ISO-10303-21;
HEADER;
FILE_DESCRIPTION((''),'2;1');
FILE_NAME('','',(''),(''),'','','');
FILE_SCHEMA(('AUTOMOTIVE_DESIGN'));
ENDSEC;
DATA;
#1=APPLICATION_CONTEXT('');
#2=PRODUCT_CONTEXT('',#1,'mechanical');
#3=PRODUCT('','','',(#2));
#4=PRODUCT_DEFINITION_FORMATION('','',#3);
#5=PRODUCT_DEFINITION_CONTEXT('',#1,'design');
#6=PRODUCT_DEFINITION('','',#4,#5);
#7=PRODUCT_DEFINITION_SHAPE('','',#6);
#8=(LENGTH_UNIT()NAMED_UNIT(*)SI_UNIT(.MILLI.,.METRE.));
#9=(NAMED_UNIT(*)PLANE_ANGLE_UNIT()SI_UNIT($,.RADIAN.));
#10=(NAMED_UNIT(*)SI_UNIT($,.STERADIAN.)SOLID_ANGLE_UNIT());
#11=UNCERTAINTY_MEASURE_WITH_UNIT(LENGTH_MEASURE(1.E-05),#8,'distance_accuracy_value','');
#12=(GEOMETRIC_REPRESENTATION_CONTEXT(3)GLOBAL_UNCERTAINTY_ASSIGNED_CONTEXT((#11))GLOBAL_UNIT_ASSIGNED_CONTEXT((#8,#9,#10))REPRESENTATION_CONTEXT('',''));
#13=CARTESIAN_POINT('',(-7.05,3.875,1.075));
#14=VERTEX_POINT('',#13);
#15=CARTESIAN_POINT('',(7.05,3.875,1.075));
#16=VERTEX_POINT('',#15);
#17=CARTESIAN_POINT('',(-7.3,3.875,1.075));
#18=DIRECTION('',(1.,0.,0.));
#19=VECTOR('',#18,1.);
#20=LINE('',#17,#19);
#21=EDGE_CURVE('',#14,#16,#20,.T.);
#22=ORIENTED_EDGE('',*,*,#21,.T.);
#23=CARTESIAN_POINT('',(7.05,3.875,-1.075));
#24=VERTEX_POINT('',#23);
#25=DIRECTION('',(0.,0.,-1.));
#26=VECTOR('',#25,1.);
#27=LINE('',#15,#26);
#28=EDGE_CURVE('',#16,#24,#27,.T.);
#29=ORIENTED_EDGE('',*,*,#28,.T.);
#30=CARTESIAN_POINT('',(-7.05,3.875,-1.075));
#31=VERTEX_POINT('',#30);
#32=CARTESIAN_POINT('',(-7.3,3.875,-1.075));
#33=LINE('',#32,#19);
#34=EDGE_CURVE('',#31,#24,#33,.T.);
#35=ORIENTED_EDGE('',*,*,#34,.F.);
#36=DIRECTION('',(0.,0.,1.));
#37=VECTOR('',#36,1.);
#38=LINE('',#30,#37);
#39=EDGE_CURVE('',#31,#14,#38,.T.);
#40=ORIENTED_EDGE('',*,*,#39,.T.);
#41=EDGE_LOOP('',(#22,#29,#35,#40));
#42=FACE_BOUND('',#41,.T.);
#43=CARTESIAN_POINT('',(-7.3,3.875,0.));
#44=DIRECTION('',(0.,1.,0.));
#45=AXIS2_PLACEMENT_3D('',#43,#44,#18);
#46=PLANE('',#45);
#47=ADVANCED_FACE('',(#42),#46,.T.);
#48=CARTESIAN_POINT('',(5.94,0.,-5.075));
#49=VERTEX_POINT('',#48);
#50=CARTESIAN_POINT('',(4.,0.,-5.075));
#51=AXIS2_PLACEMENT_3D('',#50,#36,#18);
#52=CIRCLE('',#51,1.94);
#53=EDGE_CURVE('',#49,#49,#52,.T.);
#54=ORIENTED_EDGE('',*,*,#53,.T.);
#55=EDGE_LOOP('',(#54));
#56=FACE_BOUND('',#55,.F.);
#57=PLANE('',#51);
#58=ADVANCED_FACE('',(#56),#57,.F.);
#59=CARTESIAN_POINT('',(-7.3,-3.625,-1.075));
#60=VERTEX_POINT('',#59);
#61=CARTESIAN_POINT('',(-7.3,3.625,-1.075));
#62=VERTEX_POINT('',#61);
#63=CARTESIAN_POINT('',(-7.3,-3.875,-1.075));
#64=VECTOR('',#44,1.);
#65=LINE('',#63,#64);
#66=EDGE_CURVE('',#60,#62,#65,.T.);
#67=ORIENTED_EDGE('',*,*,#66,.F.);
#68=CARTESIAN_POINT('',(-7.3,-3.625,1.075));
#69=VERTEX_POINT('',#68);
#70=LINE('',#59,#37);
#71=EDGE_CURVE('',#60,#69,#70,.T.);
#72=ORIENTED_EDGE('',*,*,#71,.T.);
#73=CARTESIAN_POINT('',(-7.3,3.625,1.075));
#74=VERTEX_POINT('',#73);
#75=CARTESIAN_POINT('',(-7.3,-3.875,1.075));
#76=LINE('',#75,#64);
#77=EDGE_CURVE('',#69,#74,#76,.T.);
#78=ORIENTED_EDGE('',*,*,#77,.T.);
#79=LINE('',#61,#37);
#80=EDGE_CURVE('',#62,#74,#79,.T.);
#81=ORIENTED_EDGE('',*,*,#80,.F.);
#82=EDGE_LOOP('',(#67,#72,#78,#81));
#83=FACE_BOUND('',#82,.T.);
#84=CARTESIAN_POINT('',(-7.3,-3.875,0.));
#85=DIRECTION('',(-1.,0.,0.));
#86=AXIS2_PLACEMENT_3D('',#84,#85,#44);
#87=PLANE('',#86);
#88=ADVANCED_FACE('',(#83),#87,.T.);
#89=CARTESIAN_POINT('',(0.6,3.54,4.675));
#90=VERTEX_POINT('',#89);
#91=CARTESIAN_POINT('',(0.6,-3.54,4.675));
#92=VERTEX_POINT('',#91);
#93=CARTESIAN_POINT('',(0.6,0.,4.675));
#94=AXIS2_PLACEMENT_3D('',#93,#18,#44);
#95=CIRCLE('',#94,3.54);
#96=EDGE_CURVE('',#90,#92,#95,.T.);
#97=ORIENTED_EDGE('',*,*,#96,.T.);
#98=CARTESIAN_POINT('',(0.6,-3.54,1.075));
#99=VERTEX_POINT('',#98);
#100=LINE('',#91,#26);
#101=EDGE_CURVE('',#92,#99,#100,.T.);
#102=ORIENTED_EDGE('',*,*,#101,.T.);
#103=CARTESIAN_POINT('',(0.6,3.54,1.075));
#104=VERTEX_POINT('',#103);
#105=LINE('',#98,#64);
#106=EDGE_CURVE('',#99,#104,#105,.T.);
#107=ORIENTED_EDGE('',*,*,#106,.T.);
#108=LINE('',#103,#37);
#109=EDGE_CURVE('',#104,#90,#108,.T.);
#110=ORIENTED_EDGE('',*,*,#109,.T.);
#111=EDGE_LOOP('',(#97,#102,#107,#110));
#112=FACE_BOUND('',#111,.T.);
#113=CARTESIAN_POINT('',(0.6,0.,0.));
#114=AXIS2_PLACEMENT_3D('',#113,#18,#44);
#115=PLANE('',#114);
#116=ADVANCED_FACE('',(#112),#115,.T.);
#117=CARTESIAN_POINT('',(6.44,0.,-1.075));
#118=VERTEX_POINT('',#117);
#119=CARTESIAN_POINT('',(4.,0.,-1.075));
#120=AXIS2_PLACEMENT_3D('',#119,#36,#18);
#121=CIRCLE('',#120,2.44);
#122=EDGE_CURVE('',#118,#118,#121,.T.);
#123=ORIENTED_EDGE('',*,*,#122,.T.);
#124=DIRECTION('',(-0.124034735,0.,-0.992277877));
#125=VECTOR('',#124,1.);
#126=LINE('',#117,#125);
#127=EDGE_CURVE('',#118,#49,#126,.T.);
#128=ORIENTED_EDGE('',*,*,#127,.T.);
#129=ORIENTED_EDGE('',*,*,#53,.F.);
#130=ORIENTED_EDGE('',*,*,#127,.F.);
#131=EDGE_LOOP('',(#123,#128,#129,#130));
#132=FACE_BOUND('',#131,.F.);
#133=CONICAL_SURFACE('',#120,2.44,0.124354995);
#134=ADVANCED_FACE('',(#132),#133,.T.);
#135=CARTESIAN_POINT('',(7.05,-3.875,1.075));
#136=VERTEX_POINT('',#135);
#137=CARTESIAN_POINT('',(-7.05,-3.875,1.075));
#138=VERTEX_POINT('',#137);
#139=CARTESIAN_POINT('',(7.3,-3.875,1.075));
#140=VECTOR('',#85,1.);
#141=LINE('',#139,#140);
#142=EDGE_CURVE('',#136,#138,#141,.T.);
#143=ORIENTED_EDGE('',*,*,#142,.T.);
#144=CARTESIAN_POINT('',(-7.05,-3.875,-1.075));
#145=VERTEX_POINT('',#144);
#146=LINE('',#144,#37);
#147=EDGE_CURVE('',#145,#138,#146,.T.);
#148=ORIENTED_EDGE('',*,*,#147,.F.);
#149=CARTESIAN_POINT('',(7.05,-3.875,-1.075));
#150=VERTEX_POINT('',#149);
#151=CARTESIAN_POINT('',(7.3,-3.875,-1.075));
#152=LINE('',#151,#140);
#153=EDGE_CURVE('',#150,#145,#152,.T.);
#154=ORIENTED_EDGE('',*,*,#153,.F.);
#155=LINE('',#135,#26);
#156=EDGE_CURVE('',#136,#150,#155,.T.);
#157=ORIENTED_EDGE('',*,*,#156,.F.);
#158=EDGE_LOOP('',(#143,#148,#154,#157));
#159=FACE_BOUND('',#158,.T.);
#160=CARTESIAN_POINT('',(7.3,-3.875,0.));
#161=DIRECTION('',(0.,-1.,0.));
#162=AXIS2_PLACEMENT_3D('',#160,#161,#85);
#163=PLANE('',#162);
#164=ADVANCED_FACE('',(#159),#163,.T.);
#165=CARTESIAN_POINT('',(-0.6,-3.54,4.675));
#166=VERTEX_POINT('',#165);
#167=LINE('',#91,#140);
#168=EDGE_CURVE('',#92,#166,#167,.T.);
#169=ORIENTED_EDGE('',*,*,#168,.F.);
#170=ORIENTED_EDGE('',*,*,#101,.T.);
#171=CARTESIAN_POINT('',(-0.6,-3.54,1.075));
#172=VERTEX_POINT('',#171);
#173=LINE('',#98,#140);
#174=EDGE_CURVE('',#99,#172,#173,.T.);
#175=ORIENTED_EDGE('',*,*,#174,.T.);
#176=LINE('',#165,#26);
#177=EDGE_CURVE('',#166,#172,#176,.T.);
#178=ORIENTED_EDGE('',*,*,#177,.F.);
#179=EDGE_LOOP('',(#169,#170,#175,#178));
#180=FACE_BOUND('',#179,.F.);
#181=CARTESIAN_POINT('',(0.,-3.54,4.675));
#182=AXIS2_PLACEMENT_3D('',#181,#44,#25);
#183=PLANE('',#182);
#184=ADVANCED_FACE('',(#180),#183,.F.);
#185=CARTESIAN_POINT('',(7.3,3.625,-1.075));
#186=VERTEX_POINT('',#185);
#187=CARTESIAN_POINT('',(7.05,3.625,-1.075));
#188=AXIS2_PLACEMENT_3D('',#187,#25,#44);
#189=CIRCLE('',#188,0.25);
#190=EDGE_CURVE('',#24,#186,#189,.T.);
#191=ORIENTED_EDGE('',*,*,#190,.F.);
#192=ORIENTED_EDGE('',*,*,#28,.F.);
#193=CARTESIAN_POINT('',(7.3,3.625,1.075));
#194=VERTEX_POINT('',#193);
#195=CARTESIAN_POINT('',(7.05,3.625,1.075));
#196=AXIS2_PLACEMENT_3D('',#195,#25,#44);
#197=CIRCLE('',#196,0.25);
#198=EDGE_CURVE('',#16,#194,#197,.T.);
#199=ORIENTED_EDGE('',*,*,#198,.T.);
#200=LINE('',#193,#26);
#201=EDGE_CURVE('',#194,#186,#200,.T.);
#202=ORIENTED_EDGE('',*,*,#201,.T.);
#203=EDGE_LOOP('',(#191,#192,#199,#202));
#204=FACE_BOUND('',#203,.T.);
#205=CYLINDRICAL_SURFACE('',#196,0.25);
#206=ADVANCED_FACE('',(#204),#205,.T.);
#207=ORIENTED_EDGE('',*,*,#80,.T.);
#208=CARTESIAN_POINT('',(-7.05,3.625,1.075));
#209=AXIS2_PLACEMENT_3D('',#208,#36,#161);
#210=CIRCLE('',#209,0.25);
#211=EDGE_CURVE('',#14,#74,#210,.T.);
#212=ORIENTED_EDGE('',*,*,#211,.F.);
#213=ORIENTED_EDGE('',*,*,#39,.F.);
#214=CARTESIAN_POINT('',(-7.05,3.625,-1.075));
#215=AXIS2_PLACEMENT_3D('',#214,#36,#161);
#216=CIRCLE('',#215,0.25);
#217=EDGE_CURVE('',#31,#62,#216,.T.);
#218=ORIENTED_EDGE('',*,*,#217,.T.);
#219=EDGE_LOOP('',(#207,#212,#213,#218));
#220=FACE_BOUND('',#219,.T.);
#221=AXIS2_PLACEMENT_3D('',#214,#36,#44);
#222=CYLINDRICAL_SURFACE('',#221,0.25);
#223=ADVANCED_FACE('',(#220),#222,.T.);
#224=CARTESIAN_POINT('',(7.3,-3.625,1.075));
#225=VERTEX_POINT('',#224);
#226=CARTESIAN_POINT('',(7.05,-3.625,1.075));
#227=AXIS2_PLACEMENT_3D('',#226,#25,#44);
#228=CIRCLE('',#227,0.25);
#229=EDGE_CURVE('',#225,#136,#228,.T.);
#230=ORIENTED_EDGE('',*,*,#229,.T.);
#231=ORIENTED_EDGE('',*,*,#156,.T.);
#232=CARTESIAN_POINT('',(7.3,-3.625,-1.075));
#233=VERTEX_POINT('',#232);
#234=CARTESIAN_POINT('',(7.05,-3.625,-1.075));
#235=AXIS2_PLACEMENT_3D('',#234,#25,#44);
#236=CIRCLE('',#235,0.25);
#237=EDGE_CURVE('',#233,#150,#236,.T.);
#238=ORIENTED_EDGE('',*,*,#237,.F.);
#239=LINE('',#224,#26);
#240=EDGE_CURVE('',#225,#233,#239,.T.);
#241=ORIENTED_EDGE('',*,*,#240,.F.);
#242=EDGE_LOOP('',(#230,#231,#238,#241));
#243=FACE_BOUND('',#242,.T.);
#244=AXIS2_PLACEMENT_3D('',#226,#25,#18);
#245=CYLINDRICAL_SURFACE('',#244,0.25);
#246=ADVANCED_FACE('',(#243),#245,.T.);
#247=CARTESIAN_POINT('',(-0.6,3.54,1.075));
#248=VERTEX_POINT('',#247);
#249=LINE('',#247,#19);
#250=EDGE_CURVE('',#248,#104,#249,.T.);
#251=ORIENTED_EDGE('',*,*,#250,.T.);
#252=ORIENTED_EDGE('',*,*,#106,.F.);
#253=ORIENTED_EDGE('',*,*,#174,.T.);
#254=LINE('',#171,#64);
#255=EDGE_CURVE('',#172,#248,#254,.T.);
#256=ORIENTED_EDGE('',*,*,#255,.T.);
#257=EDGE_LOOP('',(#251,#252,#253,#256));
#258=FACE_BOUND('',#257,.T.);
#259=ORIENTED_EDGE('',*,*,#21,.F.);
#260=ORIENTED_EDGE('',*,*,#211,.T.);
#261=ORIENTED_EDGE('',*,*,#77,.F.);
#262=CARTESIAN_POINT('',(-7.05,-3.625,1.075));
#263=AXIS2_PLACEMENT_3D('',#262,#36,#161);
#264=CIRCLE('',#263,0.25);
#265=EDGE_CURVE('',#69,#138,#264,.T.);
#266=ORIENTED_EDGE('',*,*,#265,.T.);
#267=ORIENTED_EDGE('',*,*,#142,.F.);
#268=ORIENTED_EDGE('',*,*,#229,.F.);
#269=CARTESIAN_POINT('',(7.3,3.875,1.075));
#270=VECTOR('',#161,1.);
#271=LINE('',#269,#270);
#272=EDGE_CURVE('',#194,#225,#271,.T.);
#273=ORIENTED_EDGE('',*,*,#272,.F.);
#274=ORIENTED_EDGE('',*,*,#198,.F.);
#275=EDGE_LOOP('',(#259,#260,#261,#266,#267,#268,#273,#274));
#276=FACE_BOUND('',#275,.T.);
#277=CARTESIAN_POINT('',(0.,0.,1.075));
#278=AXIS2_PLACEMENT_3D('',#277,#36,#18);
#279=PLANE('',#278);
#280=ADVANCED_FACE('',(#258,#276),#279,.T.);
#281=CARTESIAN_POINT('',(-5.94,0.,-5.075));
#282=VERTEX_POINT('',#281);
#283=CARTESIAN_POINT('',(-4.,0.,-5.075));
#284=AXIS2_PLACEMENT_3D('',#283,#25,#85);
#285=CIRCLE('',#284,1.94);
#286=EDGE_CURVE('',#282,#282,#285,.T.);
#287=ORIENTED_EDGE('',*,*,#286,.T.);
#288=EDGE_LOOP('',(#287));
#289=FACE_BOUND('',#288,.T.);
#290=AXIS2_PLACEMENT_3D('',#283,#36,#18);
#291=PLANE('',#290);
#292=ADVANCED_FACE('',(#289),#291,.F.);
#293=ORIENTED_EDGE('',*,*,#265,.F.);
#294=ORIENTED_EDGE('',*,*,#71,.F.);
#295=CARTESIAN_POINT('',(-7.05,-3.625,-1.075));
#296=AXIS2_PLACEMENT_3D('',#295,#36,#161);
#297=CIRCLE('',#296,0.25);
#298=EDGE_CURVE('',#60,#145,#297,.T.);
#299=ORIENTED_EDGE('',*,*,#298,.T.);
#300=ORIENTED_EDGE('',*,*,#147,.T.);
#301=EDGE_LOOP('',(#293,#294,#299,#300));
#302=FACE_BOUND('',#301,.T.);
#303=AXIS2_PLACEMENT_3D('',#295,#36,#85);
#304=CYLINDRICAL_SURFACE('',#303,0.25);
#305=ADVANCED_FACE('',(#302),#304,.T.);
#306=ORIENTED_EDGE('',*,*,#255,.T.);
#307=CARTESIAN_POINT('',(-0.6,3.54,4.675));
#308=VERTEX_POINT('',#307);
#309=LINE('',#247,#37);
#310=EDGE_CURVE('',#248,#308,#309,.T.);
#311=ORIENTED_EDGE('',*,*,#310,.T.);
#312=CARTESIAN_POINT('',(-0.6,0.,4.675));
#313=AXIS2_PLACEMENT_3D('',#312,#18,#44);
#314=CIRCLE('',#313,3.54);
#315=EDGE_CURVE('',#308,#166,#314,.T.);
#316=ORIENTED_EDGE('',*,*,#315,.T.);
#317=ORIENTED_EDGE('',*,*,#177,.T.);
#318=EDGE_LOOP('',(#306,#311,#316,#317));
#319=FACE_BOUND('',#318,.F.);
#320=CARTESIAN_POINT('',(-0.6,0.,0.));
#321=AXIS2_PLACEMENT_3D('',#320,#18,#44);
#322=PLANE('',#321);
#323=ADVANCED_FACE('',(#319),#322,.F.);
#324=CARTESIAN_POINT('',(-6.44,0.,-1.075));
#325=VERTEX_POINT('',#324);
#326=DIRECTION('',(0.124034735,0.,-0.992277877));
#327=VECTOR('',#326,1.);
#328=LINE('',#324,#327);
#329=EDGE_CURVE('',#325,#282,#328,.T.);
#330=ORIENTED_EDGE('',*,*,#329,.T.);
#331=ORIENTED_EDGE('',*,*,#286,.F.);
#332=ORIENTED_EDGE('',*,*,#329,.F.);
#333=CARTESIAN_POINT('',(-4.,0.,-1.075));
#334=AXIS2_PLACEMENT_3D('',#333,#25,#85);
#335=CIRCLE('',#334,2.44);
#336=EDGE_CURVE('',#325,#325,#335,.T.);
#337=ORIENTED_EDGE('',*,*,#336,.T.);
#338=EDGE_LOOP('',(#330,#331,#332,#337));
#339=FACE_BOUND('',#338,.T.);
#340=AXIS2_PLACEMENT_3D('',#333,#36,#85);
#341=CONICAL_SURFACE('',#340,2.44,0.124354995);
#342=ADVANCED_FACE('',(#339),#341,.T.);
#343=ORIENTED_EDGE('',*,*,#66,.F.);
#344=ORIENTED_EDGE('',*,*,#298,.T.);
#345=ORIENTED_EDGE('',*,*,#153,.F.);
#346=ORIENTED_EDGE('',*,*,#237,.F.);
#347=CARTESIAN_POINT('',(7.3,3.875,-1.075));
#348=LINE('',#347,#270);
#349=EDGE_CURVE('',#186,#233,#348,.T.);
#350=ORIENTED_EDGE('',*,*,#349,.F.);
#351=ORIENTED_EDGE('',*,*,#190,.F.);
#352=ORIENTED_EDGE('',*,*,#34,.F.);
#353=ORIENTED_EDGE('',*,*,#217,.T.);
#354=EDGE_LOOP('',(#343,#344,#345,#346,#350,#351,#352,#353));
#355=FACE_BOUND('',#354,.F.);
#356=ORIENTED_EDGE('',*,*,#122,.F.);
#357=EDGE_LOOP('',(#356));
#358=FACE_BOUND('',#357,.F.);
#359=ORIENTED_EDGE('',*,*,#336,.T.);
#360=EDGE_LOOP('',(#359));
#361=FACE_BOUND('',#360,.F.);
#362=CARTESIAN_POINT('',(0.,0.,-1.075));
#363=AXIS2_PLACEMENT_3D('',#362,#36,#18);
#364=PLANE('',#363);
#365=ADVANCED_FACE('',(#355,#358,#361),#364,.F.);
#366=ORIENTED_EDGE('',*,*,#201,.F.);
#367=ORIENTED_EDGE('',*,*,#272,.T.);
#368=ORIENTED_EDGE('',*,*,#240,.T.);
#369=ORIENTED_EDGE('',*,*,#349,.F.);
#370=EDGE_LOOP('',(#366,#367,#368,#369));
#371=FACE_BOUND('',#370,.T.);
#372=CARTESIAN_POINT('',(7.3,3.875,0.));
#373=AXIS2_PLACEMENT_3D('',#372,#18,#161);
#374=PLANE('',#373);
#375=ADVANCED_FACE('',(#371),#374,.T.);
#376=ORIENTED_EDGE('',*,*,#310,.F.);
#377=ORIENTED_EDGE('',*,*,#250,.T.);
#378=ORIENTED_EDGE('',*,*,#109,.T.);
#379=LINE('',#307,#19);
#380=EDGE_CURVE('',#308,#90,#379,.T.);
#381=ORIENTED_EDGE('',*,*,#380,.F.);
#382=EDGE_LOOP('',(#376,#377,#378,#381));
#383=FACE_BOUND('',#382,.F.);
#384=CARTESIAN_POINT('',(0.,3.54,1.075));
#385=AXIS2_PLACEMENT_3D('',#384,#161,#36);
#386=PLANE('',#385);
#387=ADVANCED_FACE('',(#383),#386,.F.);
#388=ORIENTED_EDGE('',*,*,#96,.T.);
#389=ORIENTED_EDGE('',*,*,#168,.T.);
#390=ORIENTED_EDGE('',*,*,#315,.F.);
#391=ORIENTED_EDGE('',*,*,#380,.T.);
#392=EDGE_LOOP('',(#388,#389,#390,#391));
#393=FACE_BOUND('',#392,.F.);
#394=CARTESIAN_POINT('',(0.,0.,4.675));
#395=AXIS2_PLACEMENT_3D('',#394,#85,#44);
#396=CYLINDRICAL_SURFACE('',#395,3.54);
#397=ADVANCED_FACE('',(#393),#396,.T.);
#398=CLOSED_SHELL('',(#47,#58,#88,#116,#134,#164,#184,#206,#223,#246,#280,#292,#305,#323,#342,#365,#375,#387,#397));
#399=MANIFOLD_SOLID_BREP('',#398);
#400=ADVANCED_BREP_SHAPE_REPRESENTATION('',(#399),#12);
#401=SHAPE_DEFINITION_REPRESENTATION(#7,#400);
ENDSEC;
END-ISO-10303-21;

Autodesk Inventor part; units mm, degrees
ref_plane "YZ Plane" through (0, 0, 0) normal (1, 0, 0) x (0, 1, 0)
ref_plane "XZ Plane" through (0, 0, 0) normal (0, 1, 0) x (-1, 0, 0)
ref_plane "XY Plane" through (0, 0, 0) normal (0, 0, 1) x (1, 0, 0)
sketch "Sketch1" plane through (0, 0, 0) normal (0, 0, 1) x (1, 0, 0)
  line L0 (-7.3, 3.875) -> (7.3, 3.875)
  line L1 (7.3, 3.875) -> (7.3, -3.875)
  line L2 (7.3, -3.875) -> (-7.3, -3.875)
  line L3 (-7.3, -3.875) -> (-7.3, 3.875)
  point P0 (0, 0)
  point P1 (-7.3, 0)
  point P2 (0, 3.875)
  dimension "d0" = 14.6
  dimension "d1" = 7.75
extrude "Extrusion1" add sketch "Sketch1" along normal mid plane 2.15
fillet "Fillet1" radius 0.25 4 edges at (-7.3, 3.875, 0) (-7.3, -3.875, 0) (7.3, 3.875, 0) (7.3, -3.875, 0)
sketch "Sketch2" plane through (0, 0, 0) normal (1, 0, 0) x (0, 1, 0)
  line L0 (3.625, 1.075) -> (-3.625, 1.075) construction
  line L1 (3.54, 1.075) -> (3.54, 4.675)
  arc A0 (3.54, 4.675) -> (-3.54, 4.675) centre (0, 4.675) ccw
  line L2 (-3.54, 4.675) -> (-3.54, 1.075)
  line L3 (-3.54, 1.075) -> (3.54, 1.075)
  point P0 (0, 0)
  dimension "d5" = 3.6
  dimension "d6" = 7.08
extrude "Extrusion2" add sketch "Sketch2" along normal mid plane 1.2
sketch "Sketch3" plane through (0, 0, 0) normal (0, 1, 0) x (-1, 0, 0)
  line L0 (7.05, -1.075) -> (-7.05, -1.075) construction
  line L1 (-4, -1.075) -> (-6.44, -1.075)
  line L2 (-6.44, -1.075) -> (-5.94, -5.075)
  line L3 (-5.94, -5.075) -> (-4, -5.075)
  line L4 (-4, -5.075) -> (-4, -1.075)
  point P0 (0, 0)
  dimension "d9" = 4.88
  dimension "d10" = 3.88
  dimension "d11" = 4
  dimension "d12" = 4
revolve "Revolution1" add sketch "Sketch3" angle 360 about axis through (4, 0, -5.075) along (0, 0, 1)
mirror "Mirror1" about plane through (0, 0, 0) normal (1, 0, 0) of "Revolution1"
properties part number "HIPS" material "250"
